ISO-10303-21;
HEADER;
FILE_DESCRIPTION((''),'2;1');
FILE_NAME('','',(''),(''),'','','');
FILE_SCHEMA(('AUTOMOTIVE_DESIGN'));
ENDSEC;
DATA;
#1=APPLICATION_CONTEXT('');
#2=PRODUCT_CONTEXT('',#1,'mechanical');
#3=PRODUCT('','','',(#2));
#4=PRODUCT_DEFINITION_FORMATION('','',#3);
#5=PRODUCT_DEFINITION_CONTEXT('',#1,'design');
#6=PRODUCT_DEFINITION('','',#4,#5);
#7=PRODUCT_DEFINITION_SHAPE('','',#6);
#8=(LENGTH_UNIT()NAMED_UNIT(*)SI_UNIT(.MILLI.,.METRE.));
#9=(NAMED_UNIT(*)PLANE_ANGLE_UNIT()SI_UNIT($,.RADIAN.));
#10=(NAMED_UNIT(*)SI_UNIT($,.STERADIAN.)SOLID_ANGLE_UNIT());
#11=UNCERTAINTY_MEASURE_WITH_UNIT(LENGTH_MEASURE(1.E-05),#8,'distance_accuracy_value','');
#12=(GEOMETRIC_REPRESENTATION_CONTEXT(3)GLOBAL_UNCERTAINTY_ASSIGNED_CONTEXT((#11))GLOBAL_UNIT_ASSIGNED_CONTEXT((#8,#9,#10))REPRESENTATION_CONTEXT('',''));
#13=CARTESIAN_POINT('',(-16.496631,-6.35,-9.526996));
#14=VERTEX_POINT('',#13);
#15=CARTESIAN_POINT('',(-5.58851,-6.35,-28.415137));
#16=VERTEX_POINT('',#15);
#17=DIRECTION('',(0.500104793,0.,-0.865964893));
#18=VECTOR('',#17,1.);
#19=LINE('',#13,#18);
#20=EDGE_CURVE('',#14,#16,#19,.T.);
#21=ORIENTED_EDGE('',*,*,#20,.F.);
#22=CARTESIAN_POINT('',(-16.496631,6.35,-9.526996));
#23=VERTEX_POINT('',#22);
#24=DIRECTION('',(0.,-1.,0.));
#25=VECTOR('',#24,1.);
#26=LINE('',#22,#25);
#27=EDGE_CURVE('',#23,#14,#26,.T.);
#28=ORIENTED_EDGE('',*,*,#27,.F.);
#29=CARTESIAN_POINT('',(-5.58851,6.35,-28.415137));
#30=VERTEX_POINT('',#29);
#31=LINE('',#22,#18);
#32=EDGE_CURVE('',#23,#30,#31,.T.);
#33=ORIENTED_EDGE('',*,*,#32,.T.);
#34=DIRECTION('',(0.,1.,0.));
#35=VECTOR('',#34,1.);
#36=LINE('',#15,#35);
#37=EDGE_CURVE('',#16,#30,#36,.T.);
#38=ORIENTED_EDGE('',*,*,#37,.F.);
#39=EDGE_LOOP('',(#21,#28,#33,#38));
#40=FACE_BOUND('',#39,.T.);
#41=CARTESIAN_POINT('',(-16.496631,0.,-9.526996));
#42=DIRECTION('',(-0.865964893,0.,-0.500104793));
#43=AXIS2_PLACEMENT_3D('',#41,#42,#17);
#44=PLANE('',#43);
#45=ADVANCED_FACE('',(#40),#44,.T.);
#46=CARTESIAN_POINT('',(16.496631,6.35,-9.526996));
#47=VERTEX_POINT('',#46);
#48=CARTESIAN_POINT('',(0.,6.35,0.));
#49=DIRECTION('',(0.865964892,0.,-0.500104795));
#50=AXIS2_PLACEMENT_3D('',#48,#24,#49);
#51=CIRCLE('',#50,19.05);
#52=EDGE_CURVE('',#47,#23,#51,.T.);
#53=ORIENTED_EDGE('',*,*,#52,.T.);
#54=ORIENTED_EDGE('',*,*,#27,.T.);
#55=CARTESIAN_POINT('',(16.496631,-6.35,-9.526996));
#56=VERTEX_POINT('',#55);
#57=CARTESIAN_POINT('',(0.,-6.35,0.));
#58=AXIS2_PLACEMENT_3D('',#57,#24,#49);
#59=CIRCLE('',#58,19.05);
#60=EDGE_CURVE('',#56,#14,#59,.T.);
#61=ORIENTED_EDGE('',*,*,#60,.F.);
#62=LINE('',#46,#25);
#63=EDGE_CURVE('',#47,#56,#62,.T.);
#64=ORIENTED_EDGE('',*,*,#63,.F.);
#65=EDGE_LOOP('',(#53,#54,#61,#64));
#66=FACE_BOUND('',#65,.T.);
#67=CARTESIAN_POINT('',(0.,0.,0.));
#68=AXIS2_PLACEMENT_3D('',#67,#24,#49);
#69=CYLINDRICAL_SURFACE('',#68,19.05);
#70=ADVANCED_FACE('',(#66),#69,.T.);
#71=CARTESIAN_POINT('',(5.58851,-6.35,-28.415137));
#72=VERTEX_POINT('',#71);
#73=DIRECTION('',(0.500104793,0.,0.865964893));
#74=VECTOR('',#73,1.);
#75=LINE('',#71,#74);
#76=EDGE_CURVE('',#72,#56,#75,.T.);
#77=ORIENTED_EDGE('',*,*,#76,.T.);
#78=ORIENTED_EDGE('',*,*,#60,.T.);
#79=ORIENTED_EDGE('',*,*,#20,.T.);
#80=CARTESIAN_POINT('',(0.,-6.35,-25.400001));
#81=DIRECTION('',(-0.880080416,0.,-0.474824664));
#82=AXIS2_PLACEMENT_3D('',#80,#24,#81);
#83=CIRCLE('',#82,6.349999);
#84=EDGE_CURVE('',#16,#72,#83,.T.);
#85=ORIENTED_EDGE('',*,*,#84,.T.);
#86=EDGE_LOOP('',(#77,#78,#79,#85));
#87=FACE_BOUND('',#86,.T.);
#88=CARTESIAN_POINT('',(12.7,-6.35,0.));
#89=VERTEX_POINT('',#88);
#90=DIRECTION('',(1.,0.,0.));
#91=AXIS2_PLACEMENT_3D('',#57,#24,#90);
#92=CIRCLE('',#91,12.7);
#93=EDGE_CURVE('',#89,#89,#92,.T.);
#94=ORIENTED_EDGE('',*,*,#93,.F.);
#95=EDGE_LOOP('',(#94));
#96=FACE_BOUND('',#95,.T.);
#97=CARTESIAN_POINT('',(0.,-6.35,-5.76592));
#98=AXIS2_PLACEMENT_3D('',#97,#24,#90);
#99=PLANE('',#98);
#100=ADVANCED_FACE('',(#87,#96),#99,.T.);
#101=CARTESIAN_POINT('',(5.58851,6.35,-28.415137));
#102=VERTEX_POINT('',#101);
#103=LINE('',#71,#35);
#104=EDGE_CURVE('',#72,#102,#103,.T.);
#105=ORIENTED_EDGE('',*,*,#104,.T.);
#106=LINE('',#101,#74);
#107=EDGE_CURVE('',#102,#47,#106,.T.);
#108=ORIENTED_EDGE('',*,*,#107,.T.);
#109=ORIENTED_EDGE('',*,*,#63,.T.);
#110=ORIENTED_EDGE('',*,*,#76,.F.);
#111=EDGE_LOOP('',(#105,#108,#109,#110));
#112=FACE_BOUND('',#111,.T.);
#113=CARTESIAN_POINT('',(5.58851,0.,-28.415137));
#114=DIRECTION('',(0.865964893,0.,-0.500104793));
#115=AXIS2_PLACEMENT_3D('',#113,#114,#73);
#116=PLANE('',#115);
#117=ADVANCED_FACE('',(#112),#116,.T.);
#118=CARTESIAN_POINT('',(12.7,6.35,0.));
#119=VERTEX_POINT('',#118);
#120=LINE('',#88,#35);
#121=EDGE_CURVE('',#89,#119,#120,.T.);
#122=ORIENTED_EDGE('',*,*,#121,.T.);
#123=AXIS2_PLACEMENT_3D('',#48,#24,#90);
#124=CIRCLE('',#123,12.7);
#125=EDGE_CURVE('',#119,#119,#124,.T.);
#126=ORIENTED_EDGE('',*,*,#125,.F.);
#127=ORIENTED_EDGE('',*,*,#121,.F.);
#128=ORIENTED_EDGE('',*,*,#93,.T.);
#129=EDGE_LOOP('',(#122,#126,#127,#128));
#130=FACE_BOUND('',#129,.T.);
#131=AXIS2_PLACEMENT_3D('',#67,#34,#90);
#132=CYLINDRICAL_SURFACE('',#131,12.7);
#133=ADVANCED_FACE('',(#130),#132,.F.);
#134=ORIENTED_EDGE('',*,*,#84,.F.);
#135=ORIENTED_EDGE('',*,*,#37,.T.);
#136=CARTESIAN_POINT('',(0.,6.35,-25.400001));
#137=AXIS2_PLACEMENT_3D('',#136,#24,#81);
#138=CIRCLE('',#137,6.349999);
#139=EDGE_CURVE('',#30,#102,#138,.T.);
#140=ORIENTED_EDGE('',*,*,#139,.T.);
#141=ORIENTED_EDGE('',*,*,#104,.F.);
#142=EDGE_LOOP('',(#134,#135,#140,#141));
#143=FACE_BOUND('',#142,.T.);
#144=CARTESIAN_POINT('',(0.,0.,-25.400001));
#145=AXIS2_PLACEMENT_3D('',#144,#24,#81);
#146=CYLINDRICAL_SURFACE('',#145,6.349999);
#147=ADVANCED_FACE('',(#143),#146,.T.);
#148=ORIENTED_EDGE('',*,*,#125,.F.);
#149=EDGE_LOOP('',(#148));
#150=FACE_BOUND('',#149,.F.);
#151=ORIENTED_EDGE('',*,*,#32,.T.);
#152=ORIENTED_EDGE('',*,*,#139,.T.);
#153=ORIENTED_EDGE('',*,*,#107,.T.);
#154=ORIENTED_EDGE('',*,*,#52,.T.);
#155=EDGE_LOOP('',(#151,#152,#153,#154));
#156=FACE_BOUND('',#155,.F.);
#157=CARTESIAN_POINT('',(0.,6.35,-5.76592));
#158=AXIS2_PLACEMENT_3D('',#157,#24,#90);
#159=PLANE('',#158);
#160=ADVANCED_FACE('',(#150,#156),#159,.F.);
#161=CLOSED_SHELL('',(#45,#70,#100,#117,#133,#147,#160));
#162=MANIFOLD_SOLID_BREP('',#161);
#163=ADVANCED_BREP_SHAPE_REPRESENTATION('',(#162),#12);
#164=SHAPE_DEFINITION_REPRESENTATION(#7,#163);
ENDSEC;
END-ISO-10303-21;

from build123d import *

# Parameters (mm, degrees)
F0_R     = 12.7
F1_DEPTH = 6.35


with BuildPart() as f1:
    # F0 (on Front) → F1 (new body, symmetric)
    with BuildSketch(Plane.XZ):
        with BuildLine():
            Line((5.58851, -28.415137), (16.496631, -9.526996))
            ThreePointArc((16.496631, -9.526996), (0, 19.05), (-16.496631, -9.526996))
            Line((-16.496631, -9.526996), (-5.58851, -28.415137))
            ThreePointArc((-5.58851, -28.415137), (0, -31.75), (5.58851, -28.415137))
        make_face()
        Circle(F0_R, mode=Mode.SUBTRACT)
    extrude(amount=F1_DEPTH, both=True)


solid = f1.part
